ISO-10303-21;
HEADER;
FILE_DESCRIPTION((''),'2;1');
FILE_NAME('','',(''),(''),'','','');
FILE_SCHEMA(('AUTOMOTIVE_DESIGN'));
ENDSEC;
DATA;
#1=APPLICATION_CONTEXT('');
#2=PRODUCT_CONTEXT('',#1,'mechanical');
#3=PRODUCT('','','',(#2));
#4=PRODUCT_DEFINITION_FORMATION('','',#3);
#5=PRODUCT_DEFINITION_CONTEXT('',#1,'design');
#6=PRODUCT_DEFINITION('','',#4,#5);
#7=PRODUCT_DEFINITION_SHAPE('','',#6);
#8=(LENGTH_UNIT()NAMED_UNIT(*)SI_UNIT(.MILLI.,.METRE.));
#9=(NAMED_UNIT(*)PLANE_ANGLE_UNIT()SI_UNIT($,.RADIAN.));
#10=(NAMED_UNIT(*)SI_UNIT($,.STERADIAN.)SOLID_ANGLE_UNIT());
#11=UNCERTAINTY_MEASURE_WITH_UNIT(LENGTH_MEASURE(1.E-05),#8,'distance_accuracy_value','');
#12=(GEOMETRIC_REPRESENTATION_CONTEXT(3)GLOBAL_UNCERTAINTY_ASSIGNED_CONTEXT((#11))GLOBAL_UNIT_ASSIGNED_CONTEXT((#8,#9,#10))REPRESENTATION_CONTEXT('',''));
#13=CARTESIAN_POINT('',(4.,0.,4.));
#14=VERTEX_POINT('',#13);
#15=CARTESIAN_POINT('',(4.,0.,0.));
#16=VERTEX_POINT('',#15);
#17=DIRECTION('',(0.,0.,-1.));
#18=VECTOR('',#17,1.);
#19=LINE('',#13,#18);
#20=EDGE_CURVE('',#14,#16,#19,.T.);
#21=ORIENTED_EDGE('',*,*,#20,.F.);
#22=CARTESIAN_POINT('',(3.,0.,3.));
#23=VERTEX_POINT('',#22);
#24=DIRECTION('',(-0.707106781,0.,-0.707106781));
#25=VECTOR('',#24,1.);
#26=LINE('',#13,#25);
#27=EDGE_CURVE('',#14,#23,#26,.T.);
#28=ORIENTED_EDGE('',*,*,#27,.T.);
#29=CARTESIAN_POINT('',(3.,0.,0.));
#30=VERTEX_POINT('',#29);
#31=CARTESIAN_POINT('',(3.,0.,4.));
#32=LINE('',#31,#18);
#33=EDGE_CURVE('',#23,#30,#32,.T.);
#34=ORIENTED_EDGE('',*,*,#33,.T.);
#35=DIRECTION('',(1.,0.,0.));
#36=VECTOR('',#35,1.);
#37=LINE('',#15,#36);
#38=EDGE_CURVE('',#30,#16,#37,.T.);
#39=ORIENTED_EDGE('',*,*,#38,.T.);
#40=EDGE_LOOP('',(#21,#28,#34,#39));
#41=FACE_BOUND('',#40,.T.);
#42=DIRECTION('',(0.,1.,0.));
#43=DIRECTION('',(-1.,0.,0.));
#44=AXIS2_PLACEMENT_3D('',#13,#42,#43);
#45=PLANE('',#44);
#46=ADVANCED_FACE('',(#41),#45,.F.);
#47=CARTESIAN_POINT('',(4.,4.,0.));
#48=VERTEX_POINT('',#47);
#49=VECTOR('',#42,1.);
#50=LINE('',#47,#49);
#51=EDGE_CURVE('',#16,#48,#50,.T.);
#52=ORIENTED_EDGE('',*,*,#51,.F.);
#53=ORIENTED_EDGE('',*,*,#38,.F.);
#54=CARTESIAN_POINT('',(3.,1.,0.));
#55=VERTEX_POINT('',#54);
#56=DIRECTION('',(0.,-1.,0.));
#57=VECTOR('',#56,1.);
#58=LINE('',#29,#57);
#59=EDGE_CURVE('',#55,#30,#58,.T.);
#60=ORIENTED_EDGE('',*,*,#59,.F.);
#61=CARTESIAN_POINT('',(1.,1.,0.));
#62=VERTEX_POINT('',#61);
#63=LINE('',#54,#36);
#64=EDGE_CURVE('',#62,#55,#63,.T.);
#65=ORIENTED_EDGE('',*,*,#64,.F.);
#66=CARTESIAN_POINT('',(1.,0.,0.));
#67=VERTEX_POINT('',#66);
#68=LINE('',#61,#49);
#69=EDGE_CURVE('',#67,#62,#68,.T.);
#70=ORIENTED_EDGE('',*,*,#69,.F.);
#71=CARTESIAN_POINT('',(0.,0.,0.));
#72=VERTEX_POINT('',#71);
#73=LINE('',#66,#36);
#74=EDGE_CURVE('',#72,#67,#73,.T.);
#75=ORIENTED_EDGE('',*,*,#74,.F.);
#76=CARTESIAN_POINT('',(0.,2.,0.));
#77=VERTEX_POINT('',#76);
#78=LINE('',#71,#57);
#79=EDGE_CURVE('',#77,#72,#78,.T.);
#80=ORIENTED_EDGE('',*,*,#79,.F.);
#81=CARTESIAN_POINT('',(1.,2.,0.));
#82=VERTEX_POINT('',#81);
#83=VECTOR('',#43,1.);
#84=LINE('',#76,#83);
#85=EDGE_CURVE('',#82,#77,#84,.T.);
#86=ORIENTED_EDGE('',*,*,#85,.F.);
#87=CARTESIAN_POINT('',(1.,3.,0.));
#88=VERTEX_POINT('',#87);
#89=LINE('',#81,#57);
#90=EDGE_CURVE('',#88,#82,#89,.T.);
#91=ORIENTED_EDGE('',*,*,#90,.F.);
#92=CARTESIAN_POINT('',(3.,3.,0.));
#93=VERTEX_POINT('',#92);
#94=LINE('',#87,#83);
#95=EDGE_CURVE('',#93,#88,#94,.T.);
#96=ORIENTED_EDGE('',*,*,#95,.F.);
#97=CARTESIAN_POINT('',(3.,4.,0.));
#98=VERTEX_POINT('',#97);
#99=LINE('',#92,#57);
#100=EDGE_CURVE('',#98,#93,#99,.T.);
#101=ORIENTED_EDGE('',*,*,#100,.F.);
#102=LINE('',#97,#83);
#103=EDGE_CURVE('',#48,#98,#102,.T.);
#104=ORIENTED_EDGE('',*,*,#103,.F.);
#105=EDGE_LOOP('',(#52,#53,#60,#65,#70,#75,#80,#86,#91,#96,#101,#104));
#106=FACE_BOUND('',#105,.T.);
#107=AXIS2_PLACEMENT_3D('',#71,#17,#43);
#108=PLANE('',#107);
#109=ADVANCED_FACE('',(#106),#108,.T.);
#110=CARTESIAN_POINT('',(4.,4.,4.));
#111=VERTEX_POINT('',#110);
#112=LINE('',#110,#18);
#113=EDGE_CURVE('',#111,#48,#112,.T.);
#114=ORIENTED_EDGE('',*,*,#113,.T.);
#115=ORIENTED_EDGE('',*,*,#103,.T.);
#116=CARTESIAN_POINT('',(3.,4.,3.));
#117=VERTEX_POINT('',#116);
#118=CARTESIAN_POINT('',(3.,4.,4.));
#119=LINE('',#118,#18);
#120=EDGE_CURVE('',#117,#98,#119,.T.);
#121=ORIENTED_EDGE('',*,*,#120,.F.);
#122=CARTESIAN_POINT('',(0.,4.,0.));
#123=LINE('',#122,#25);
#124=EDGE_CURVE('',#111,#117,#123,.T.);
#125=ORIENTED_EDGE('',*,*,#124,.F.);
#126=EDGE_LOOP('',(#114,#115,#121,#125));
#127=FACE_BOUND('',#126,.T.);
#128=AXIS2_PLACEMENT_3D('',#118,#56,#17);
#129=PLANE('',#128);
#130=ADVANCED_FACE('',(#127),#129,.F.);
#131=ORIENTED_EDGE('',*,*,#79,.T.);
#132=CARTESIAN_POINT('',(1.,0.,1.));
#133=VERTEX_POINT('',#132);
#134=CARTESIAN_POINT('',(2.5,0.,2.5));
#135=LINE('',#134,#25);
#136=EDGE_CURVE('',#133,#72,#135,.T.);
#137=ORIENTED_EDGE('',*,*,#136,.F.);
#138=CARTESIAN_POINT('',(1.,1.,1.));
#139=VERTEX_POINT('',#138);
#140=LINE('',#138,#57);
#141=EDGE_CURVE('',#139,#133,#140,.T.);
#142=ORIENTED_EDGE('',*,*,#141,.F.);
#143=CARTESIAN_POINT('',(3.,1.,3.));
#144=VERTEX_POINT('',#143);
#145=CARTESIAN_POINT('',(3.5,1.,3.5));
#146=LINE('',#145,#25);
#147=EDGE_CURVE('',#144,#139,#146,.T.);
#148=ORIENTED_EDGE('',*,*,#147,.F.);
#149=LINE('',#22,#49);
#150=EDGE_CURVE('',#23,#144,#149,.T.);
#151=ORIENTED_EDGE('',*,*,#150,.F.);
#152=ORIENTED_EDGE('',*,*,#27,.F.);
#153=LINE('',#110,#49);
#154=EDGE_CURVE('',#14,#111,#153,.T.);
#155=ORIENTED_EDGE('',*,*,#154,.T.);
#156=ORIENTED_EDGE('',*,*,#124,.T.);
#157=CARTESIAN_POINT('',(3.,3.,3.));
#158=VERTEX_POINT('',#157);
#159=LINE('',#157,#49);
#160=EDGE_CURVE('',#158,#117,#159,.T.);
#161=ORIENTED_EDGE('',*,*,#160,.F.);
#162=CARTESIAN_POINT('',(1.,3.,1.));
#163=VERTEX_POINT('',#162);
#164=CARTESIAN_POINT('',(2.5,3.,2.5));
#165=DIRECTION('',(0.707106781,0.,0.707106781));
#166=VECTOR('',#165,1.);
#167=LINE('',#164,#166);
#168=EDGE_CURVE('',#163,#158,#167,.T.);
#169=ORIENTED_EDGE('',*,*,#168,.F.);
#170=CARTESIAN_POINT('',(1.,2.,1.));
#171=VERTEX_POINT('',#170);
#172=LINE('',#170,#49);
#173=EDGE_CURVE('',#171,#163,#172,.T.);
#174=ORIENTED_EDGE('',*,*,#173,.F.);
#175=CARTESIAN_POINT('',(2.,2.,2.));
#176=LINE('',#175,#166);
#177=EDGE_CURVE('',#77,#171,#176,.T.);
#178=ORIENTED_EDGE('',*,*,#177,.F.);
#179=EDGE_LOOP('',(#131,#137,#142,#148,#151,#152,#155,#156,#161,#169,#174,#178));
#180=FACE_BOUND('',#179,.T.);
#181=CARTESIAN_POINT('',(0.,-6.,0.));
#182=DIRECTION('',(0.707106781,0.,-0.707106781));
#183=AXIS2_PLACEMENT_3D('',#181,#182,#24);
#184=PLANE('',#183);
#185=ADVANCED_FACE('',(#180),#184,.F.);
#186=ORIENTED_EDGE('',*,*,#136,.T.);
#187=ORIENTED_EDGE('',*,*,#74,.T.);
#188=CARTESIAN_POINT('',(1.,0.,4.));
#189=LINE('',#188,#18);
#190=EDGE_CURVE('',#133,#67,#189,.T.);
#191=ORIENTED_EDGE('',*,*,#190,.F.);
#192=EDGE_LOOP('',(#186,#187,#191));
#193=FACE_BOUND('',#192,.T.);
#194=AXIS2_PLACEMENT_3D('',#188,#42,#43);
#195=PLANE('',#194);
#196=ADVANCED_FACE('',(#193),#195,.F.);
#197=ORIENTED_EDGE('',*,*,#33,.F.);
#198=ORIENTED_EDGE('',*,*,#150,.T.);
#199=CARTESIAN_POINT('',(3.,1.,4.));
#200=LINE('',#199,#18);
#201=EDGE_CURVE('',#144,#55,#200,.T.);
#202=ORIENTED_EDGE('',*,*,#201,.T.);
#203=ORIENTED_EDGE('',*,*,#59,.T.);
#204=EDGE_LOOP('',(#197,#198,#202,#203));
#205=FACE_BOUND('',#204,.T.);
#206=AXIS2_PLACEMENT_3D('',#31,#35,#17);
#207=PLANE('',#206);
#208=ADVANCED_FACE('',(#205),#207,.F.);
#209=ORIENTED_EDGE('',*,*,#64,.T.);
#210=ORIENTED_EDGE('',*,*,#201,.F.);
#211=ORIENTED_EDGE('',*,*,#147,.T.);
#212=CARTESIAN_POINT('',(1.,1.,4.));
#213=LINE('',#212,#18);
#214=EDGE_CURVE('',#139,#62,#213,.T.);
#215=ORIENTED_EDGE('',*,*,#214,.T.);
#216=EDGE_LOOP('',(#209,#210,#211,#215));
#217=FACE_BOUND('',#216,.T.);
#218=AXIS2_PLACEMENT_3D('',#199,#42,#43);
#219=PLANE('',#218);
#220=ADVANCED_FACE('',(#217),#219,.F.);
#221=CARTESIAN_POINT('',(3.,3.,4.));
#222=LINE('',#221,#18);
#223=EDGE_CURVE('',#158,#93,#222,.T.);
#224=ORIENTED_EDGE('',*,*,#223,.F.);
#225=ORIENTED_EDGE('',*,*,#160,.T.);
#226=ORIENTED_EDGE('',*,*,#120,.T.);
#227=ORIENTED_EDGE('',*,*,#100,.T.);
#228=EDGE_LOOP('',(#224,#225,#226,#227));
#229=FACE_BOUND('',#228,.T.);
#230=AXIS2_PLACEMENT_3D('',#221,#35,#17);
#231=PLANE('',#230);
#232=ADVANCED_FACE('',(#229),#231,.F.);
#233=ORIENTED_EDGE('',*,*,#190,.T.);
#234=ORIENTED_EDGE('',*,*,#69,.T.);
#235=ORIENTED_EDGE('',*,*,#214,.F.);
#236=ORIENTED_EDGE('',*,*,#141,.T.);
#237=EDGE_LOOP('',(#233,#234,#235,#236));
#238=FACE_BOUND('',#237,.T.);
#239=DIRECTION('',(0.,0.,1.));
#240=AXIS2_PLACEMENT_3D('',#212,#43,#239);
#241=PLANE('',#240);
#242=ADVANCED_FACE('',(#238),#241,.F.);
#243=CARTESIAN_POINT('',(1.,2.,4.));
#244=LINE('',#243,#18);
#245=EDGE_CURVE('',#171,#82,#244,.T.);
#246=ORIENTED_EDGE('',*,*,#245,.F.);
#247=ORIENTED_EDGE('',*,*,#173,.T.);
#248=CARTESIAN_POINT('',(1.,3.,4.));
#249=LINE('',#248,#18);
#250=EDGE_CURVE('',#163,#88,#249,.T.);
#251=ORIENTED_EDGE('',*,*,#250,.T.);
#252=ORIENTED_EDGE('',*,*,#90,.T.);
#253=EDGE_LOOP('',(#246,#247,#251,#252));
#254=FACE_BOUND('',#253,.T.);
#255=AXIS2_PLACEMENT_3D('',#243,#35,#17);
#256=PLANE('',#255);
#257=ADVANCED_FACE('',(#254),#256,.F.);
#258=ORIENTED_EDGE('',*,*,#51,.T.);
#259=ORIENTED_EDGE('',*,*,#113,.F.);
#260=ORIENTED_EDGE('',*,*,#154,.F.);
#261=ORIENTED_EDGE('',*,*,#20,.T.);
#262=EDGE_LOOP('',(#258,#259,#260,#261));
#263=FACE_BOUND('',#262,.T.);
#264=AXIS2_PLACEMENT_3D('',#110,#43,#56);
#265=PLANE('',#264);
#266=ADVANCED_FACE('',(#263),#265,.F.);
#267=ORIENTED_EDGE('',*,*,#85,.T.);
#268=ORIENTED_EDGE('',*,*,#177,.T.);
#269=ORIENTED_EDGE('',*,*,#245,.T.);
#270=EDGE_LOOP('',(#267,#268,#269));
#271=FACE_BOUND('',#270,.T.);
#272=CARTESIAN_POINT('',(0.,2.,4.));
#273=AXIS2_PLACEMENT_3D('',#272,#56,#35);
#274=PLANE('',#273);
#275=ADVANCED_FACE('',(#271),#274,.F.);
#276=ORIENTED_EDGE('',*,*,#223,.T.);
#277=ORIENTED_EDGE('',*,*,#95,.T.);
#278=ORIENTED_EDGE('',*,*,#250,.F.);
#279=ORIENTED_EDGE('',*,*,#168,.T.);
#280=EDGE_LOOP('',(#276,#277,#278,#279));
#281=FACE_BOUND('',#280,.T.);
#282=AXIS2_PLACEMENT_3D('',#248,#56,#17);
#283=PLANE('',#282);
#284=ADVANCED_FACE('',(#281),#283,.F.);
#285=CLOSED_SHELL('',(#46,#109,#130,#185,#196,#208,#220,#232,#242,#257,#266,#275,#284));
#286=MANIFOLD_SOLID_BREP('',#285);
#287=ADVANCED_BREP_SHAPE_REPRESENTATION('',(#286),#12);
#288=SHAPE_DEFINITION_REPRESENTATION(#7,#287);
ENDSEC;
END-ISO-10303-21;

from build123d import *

# Parameters (mm, degrees)
BOSS_EXTRUDE1_DEPTH = 4
CUT_EXTRUDE1_DEPTH  = 10


with BuildPart() as part:
    # Sketch1 → Boss-Extrude1 (new body)
    with BuildSketch(Plane.XY):
        Polygon((0, 0), (0, 2), (1, 2), (1, 3), (3, 3), (3, 4), (4, 4), (4, 0), (3, 0), (3, 1), (1, 1), (1, 0), align=None)
    extrude(amount=BOSS_EXTRUDE1_DEPTH)

    # Sketch2 → Cut-Extrude1 (cut)
    with BuildSketch(Plane(origin=(0, 4, 0), x_dir=(1, 0, 0), z_dir=(0, 1, 0))):
        Polygon((0, 0), (4, -4), (0, -4), align=None)
    extrude(amount=-CUT_EXTRUDE1_DEPTH, mode=Mode.SUBTRACT)


solid = part.part
